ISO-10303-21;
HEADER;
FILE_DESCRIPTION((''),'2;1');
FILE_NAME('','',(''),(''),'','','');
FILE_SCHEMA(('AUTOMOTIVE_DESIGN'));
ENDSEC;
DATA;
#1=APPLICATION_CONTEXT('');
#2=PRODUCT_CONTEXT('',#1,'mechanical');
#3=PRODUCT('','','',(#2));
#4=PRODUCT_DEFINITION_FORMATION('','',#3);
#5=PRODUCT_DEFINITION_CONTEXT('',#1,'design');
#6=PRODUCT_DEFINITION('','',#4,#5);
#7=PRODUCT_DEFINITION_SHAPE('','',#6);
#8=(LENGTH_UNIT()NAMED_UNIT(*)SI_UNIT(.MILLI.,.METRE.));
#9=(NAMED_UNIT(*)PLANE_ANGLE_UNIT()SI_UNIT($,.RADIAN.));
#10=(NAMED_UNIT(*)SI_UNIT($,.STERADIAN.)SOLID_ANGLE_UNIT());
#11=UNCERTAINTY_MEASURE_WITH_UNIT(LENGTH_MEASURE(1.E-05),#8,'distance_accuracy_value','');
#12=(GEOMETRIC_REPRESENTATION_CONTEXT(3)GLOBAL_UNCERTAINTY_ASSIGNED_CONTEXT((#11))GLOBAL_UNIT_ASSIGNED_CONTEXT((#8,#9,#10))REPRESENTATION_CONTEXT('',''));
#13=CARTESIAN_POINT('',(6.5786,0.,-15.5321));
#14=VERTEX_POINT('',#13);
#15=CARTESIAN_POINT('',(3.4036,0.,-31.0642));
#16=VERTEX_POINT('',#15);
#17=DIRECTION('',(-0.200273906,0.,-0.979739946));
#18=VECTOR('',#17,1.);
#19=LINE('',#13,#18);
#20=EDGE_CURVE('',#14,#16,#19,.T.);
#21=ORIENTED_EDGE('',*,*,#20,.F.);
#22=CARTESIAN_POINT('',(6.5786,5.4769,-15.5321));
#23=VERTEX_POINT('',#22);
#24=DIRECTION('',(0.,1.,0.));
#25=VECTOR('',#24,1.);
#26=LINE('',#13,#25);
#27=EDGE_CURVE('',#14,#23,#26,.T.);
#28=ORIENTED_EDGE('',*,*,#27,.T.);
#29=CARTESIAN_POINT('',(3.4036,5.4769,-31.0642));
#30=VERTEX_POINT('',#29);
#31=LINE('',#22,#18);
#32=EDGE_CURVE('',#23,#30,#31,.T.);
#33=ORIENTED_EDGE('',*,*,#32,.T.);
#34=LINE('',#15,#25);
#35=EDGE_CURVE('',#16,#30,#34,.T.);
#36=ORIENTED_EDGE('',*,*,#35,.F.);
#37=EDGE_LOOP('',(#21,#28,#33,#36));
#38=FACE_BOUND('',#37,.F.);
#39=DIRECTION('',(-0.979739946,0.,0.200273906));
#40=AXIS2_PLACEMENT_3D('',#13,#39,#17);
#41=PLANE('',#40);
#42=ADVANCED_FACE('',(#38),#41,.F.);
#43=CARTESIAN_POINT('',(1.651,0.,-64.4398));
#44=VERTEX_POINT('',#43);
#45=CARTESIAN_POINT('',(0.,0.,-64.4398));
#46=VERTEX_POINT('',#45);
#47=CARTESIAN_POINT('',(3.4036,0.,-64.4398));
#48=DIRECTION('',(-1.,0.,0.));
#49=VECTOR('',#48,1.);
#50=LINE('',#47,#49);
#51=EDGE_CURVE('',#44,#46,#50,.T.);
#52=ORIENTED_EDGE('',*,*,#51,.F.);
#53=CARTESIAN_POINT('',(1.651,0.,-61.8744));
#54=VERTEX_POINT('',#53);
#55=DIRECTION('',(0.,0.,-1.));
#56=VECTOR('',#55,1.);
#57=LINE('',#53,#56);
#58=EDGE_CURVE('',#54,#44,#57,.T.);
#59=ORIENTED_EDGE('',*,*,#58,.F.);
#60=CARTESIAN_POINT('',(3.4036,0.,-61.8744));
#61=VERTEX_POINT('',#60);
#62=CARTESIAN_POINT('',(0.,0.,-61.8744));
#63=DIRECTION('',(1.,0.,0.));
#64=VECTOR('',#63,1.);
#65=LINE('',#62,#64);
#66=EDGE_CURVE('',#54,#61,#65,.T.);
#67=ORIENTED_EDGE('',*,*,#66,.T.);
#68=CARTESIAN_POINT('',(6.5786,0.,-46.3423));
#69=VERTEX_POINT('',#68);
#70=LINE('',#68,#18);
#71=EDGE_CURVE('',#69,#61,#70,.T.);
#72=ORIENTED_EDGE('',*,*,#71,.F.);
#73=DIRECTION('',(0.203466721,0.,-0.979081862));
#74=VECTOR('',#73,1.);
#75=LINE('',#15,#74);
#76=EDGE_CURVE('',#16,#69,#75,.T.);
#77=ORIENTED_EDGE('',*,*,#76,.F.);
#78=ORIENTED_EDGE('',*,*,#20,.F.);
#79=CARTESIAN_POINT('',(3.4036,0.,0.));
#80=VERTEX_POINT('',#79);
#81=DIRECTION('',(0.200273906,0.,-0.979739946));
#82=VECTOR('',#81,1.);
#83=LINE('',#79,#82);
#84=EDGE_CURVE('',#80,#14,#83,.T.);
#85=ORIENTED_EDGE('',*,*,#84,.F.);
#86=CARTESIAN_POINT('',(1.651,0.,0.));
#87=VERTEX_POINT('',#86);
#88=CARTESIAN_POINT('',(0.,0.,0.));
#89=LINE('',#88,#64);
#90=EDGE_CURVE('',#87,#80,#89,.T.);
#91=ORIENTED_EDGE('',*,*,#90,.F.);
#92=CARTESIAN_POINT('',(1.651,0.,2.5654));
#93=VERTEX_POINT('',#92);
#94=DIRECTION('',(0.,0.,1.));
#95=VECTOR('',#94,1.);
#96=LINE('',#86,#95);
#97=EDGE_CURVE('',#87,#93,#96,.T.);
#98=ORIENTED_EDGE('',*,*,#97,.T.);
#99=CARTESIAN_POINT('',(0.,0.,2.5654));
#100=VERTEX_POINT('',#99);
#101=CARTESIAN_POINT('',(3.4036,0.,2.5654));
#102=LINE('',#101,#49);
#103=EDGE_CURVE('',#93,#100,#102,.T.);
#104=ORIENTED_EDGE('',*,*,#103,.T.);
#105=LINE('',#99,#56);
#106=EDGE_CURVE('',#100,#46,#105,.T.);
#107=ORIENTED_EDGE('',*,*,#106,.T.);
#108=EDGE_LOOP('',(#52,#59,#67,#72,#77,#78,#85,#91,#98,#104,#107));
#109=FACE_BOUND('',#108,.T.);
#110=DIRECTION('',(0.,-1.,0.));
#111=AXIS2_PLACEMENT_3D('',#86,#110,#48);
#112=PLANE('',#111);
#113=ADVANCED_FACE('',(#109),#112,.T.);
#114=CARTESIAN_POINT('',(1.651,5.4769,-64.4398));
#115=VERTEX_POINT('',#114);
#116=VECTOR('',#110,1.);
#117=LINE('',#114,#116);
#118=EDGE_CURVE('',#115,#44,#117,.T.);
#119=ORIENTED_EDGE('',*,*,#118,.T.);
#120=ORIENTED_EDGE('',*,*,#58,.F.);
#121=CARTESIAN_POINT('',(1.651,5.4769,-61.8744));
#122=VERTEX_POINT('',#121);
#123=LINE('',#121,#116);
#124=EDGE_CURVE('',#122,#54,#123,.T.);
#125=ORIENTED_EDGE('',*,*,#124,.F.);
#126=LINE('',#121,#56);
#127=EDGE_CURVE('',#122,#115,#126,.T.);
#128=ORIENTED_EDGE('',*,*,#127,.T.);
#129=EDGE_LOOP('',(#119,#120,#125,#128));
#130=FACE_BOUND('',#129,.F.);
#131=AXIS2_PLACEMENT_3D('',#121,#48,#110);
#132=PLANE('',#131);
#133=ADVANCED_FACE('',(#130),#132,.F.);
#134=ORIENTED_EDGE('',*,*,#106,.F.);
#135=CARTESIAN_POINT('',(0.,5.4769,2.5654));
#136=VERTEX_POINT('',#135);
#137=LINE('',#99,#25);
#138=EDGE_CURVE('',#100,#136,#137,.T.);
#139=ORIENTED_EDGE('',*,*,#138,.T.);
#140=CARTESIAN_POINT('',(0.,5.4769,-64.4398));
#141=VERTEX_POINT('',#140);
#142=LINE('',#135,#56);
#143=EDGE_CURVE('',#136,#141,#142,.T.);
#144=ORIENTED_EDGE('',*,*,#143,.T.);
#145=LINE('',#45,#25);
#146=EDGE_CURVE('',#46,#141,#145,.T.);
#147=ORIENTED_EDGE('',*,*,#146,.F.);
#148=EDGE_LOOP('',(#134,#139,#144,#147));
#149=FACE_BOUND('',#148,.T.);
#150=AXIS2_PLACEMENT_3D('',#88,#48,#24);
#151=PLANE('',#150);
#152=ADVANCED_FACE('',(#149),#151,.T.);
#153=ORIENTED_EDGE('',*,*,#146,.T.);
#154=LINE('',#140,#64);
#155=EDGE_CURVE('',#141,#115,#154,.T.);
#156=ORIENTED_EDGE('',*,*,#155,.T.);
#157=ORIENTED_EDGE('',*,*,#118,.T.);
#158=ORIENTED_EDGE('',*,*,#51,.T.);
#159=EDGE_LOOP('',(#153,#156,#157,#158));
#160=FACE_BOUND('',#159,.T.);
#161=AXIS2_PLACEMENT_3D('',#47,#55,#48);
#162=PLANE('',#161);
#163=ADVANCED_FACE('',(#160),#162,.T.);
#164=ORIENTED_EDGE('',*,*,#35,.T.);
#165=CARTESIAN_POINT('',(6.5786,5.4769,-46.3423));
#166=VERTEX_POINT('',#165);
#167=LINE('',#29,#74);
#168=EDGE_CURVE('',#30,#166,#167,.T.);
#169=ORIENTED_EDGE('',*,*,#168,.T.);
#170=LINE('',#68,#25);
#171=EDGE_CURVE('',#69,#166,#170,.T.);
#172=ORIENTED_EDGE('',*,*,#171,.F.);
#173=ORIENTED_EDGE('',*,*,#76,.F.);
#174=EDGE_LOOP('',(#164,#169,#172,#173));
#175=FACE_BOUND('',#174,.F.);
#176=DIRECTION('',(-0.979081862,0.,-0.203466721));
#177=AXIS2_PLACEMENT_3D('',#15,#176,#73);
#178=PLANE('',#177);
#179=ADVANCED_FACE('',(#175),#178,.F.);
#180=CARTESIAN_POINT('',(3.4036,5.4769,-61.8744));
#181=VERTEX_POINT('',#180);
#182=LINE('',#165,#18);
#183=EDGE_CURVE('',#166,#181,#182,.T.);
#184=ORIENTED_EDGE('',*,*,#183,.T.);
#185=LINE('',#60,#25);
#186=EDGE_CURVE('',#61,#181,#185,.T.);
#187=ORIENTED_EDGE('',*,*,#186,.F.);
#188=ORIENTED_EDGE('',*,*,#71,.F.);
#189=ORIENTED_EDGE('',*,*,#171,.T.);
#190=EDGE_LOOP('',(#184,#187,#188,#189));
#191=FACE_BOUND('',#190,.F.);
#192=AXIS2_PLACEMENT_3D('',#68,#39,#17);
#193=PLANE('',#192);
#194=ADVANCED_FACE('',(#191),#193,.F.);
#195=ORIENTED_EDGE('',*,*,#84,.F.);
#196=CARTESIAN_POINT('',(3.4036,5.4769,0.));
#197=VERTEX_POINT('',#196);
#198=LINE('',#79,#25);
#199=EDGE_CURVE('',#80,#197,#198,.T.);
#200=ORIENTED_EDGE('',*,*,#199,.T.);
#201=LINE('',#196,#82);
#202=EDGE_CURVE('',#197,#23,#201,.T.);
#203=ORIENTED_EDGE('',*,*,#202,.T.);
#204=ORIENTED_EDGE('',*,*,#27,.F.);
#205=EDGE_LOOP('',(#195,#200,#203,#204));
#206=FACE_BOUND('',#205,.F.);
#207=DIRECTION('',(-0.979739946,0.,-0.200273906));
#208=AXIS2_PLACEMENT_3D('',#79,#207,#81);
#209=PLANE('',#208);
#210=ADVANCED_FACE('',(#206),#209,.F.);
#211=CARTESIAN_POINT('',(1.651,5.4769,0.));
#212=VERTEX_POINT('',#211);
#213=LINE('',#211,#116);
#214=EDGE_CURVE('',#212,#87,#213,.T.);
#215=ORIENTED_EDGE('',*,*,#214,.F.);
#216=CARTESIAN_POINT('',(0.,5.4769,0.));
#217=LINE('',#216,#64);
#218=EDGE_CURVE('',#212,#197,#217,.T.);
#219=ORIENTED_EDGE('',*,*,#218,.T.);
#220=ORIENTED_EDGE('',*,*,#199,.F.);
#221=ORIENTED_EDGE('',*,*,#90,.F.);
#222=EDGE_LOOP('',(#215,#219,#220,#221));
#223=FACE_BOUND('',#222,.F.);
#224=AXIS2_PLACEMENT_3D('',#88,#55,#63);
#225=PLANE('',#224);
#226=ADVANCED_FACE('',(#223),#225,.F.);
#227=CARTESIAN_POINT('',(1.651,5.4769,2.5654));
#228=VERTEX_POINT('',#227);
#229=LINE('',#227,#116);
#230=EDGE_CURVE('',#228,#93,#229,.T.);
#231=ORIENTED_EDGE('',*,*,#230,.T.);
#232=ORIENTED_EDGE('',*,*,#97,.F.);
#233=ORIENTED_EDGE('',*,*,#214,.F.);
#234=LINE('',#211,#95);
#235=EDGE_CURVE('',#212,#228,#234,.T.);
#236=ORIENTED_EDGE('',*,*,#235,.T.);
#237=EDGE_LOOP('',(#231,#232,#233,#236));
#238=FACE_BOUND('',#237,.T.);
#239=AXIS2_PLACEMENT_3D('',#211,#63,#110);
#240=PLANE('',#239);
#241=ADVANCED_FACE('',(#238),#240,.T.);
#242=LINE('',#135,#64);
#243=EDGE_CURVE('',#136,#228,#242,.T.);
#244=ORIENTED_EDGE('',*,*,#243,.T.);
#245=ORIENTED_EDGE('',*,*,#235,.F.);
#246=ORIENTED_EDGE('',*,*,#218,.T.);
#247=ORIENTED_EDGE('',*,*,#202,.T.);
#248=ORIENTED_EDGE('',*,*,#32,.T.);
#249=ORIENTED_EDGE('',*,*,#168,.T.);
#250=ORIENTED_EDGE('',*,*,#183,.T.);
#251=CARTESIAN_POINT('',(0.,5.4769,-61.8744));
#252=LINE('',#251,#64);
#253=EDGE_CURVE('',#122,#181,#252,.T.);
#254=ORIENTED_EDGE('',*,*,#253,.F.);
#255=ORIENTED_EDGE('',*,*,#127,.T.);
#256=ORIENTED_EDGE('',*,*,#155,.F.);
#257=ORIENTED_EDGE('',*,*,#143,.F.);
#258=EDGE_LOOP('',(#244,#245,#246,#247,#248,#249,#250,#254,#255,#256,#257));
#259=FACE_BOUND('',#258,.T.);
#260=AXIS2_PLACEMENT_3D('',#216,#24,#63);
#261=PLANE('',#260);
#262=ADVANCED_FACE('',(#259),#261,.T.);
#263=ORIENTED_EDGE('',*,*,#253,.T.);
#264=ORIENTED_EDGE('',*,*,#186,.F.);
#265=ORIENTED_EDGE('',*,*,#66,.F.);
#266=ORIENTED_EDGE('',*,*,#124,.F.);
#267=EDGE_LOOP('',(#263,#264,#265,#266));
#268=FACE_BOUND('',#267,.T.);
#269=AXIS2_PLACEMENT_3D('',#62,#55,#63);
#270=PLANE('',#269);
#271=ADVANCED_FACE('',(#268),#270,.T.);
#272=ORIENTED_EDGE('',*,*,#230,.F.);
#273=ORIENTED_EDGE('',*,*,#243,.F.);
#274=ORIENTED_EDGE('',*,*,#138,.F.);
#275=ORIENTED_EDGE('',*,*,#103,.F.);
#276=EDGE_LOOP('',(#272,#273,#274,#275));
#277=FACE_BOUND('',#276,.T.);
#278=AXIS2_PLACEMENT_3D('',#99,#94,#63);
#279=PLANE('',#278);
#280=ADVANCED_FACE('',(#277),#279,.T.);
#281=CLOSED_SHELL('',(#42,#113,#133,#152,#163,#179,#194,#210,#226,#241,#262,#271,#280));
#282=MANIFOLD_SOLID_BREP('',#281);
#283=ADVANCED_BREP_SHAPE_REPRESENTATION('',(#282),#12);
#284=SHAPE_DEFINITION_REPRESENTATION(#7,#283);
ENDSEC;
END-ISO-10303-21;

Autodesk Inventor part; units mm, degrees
ref_plane "YZ Plane" through (0, 0, 0) normal (1, 0, 0) x (0, 1, 0)
ref_plane "XZ Plane" through (0, 0, 0) normal (0, 1, 0) x (-1, 0, 0)
ref_plane "XY Plane" through (0, 0, 0) normal (0, 0, 1) x (1, 0, 0)
sketch "Sketch1" plane through (0, 0, 0) normal (0, 1, 0) x (-1, 0, 0)
  line L0 (0, 0) -> (0, -61.8744)
  line L1 (0, 0) -> (-3.4036, 0)
  line L2 (0, -61.8744) -> (-3.4036, -61.8744)
  line L3 (-3.4036, 0) -> (-6.5786, -15.5321)
  line L4 (-6.5786, -15.5321) -> (-3.4036, -31.0642)
  line L5 (-3.4036, -31.0642) -> (-6.5786, -46.3423)
  line L6 (-6.5786, -46.3423) -> (-3.4036, -61.8744)
  dimension "d0" = 61.8744
  dimension "d1" = 3.4036
  dimension "d2" = 3.4036
  dimension "d3" = 15.5321
  dimension "d4" = 31.0642
  dimension "d5" = 15.5321
  dimension "d6" = 3.175
  dimension "d7" = 3.175
extrude "Extrusion1" add sketch "Sketch1" along normal blind 5.4769
sketch "Sketch2" plane through (0, 0, 0) normal (0, 0, 1) x (1, 0, 0)
  line L0 (3.4036, 0) -> (0, 0) projected
  line L1 (0, 5.4769) -> (1.651, 5.4769)
  line L2 (1.651, 5.4769) -> (1.651, 0)
  line L3 (1.651, 0) -> (0, 0)
  line L4 (0, 0) -> (0, 5.4769)
  dimension "d10" = 1.651
sketch "Sketch3" plane through (3.4036, 0, -61.8744) normal (0, 0, -1) x (-1, 0, 0)
  line L0 (0, 0) -> (3.4036, 0) projected
  line L1 (3.4036, 5.4769) -> (1.7526, 5.4769)
  line L2 (1.7526, 5.4769) -> (1.7526, 0)
  line L3 (1.7526, 0) -> (3.4036, 0)
  line L4 (3.4036, 0) -> (3.4036, 5.4769)
  dimension "d11" = 1.651
extrude "Extrusion2" add sketch "Sketch3" along normal blind 2.5654
extrude "Extrusion3" add sketch "Sketch2" along normal blind 2.5654
properties part number "Short_insert_CPY1_CPY"
